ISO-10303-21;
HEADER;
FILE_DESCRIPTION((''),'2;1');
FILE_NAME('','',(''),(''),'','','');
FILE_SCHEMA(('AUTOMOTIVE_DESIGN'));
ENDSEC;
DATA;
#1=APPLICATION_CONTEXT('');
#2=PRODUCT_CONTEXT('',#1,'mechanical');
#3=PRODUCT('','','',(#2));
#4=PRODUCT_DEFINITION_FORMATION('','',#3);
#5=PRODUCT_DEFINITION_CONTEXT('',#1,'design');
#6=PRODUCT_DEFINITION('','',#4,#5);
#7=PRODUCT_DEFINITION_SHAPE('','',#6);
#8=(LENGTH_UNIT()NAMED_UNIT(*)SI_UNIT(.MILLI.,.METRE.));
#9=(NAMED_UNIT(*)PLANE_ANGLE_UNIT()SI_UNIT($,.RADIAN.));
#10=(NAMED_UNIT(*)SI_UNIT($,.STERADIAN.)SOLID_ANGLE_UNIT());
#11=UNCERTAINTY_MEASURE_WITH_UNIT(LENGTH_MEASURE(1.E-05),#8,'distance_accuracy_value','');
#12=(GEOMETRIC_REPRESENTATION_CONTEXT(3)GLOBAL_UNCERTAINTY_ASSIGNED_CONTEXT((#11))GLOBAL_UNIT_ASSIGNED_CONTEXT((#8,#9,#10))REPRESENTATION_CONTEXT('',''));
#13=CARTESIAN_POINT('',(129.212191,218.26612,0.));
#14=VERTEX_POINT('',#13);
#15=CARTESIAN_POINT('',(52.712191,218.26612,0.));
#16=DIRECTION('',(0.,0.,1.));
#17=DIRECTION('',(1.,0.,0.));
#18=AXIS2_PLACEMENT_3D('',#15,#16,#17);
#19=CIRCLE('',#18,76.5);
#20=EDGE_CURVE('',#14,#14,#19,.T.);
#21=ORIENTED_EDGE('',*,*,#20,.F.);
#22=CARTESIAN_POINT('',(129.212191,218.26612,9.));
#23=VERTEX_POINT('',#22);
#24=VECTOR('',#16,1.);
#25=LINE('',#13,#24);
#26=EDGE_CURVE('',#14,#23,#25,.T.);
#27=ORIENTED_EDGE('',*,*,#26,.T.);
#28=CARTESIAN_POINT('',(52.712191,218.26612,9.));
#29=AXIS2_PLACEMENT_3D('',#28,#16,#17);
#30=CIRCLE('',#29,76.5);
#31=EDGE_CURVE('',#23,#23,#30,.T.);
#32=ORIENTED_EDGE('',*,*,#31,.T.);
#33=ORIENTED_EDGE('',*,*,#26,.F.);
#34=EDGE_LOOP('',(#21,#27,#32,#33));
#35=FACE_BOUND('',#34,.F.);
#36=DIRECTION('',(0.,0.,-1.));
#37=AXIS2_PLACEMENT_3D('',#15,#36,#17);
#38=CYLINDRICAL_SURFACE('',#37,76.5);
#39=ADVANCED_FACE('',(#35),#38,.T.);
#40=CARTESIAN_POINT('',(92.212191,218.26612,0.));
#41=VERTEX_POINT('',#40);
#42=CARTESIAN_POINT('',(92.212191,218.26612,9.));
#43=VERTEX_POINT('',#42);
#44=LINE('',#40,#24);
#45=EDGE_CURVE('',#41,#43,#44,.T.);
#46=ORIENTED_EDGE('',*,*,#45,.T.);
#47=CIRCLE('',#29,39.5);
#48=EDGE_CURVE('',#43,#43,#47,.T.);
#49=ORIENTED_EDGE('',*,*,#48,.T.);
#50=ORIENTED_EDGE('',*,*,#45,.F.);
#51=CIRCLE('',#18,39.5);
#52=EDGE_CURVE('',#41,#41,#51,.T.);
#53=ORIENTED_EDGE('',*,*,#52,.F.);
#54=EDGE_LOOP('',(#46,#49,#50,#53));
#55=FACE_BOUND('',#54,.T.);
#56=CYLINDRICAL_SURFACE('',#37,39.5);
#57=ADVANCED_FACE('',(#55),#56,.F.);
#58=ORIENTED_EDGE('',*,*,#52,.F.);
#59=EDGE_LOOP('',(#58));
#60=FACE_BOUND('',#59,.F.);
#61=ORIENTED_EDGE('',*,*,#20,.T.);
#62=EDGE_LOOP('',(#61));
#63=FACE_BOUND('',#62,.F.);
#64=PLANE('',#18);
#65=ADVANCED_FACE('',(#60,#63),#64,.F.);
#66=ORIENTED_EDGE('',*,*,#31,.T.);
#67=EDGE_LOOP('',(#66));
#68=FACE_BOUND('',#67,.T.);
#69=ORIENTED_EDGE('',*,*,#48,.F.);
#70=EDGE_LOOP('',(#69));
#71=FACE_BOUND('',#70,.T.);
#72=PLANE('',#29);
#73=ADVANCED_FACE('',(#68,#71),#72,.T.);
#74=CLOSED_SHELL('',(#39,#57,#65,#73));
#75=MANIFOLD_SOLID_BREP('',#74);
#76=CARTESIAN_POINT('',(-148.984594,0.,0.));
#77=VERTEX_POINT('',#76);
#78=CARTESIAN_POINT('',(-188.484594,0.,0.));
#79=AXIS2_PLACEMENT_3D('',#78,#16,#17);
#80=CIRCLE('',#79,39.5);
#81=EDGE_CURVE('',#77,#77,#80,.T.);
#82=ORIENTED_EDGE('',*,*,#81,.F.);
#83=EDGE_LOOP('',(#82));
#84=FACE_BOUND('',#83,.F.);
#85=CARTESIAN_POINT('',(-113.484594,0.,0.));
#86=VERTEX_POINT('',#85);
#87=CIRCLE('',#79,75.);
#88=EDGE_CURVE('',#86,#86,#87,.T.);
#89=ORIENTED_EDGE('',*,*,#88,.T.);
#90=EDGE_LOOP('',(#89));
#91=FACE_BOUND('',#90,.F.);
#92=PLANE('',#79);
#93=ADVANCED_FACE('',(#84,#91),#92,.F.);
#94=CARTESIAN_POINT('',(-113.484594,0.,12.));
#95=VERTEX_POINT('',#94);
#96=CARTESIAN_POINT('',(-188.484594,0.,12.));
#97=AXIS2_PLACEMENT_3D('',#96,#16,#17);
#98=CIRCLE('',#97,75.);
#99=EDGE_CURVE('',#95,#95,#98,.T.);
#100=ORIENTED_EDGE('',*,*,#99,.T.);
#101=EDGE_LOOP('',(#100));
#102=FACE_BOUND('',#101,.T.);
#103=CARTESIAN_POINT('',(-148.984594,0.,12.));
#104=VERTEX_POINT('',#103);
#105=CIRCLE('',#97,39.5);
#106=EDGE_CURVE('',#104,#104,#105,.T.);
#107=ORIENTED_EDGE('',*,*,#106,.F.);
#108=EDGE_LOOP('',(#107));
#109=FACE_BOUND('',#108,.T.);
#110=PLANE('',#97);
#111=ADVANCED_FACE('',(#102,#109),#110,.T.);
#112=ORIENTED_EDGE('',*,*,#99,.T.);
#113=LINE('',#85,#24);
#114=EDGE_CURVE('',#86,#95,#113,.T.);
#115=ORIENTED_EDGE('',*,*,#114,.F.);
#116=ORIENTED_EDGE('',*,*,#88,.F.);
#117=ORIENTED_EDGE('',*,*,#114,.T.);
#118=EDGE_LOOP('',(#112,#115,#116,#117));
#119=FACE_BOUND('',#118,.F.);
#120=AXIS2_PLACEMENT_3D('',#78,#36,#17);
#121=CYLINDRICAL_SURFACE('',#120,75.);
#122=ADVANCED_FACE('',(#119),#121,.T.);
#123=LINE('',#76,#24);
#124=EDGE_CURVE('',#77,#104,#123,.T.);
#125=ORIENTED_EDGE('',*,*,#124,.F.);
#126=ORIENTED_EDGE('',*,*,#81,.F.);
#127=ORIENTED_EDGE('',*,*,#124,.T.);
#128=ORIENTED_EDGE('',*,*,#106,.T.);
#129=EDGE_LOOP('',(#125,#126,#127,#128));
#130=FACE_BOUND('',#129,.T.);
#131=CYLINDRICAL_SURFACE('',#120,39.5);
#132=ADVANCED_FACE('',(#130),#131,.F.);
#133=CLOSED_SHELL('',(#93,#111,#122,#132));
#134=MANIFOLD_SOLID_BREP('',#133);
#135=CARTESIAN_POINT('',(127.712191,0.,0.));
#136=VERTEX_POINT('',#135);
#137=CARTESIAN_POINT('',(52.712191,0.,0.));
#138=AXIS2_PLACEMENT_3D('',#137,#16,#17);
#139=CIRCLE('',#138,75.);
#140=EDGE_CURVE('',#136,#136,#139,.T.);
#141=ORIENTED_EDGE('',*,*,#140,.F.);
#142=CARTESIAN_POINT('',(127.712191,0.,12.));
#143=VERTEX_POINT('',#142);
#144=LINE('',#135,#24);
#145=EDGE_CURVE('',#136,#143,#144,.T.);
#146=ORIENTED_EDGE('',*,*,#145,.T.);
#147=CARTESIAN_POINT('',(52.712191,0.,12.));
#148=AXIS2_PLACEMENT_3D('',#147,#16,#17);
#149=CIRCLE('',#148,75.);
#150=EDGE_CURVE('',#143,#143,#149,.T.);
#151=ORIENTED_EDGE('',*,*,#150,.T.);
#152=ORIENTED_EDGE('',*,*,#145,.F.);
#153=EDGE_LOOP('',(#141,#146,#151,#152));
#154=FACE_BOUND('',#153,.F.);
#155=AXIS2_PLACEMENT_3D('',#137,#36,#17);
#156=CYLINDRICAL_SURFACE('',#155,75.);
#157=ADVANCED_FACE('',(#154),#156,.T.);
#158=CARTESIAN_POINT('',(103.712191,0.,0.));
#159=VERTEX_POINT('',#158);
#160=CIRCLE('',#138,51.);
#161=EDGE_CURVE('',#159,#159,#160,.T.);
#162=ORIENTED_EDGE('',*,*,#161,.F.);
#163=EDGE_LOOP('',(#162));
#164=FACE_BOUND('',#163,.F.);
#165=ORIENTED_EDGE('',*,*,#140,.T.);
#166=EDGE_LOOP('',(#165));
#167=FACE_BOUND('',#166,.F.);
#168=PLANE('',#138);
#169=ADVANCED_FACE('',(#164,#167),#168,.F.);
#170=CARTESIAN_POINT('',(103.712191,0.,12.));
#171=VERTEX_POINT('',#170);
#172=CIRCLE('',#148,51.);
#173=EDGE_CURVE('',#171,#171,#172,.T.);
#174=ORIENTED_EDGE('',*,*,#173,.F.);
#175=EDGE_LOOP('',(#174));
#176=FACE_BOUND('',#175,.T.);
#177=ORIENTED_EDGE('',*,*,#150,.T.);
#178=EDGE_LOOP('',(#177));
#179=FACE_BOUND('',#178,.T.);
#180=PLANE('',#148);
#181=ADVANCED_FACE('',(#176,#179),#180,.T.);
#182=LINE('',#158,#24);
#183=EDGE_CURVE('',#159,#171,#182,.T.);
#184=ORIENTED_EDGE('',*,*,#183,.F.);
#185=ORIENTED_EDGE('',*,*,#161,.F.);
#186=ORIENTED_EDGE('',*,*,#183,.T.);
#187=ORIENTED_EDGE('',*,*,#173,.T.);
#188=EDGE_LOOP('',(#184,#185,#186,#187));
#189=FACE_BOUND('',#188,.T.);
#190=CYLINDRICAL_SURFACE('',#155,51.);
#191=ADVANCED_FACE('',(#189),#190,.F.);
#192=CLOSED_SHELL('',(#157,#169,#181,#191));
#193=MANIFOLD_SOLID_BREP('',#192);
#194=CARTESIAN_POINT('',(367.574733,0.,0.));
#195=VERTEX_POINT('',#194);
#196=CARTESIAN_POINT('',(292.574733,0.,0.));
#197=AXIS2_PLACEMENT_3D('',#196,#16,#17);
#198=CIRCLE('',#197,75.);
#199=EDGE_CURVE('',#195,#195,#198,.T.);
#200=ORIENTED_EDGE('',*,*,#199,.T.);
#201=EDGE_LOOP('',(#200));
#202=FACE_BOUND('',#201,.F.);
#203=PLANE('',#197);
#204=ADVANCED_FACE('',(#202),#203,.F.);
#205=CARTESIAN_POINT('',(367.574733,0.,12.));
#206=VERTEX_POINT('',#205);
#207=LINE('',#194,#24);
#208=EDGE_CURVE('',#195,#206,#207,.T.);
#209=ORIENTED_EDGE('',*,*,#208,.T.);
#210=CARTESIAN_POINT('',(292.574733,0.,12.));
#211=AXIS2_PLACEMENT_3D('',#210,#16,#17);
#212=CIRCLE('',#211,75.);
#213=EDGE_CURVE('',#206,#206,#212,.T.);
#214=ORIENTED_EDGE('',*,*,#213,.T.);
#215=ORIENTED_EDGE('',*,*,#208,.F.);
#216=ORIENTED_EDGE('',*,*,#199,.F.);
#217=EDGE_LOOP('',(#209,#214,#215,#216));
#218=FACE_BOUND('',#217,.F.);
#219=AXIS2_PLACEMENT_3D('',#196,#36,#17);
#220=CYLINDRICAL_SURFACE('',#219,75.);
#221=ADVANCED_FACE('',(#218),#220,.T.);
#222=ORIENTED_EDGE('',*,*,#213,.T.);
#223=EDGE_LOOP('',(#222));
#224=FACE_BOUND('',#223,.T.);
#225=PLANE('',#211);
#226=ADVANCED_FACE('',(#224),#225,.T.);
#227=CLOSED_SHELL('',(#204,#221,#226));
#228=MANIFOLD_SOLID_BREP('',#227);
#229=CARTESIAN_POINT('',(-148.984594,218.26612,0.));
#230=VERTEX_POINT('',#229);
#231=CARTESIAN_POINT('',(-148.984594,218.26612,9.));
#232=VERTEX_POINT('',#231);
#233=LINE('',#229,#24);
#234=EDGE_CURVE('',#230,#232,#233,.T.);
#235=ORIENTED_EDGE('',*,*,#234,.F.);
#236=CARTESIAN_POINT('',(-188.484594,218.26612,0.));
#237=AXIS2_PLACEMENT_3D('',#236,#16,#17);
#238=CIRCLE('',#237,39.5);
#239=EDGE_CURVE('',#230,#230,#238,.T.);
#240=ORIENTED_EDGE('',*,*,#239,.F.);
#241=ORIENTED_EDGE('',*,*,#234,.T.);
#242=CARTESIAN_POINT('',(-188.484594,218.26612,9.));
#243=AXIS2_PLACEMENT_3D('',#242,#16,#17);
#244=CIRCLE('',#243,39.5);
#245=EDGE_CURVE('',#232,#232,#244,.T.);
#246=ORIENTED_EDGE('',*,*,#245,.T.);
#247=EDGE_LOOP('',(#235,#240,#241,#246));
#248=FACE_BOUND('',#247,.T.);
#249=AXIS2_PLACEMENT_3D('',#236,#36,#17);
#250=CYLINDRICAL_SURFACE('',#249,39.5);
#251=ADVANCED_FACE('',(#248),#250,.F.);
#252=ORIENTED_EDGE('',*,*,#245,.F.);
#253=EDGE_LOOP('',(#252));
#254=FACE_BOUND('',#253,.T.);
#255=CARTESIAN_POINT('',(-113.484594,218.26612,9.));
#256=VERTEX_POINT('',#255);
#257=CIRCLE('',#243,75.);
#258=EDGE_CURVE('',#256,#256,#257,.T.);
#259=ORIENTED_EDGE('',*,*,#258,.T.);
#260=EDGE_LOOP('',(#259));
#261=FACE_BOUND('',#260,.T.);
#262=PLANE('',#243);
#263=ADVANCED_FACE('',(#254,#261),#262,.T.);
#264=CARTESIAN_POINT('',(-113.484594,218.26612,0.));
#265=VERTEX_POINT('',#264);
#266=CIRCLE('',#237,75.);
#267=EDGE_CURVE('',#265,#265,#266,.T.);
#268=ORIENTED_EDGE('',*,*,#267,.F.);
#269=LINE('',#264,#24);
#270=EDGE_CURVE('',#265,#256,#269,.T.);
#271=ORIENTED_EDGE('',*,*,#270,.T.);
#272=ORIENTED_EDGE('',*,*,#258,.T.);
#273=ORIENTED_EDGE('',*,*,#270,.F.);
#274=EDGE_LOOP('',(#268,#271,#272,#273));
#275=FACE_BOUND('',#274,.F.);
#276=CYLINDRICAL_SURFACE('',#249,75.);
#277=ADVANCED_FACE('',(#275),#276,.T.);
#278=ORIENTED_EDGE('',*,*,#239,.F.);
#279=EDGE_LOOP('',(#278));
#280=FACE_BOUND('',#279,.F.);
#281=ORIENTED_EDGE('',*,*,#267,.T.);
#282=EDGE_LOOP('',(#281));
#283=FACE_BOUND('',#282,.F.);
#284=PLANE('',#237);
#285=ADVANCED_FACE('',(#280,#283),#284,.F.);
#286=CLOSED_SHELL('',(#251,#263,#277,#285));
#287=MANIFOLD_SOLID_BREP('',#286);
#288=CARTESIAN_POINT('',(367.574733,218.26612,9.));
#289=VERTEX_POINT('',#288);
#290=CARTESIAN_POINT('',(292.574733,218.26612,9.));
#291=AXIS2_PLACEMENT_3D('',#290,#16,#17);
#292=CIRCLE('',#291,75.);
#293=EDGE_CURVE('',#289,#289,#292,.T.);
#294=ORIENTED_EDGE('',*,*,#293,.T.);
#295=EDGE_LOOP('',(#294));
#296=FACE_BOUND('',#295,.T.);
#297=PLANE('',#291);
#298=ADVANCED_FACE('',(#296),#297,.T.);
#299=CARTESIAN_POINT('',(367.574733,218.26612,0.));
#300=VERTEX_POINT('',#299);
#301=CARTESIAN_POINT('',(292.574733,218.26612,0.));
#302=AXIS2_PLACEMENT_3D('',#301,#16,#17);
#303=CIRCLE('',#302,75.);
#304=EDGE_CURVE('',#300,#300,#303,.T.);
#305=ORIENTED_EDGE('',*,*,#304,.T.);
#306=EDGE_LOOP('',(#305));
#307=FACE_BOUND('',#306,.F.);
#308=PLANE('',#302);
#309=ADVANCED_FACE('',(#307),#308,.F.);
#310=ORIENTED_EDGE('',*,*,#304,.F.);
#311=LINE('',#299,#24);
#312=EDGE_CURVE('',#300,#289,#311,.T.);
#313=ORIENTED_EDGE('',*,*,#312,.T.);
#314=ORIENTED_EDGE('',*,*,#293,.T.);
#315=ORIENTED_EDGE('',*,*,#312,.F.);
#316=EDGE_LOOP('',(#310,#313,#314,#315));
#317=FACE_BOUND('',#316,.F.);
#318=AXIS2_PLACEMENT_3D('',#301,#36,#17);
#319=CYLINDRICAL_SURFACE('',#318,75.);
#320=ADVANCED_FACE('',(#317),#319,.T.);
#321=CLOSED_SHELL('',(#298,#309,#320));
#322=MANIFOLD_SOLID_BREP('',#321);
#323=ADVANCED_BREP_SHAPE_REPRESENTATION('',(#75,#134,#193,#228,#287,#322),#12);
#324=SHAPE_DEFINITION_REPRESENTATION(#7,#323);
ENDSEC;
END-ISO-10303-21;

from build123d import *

# Parameters (mm, degrees)
F0_R      = 75
F0_R_2    = 39.5
F1_DEPTH  = 12
F2_R      = 75
F2_R_2    = 51
F3_DEPTH  = 12
F4_R      = 75
F4_R_2    = 39.5
F5_DEPTH  = 9
F6_R      = 75
F7_DEPTH  = 12
F8_R      = 76.5
F8_R_2    = 39.5
F9_DEPTH  = 9
F10_R     = 75
F11_DEPTH = 9


with BuildPart() as f1:
    # F0 (on Top) → F1 (new body)
    with BuildSketch(Plane.XY):
        with Locations((-188.484594, 0)):
            Circle(F0_R)
        with Locations((-188.484594, 0)):
            Circle(F0_R_2, mode=Mode.SUBTRACT)
    extrude(amount=F1_DEPTH)


with BuildPart() as f3:
    # F2 (on Top) → F3 (new body)
    with BuildSketch(Plane.XY):
        with Locations((52.712191, 0)):
            Circle(F2_R)
        with Locations((52.712191, 0)):
            Circle(F2_R_2, mode=Mode.SUBTRACT)
    extrude(amount=F3_DEPTH)


with BuildPart() as f5:
    # F4 (on Top) → F5 (new body)
    with BuildSketch(Plane.XY):
        with Locations((-188.484594, 218.26612)):
            Circle(F4_R)
        with Locations((-188.484594, 218.26612)):
            Circle(F4_R_2, mode=Mode.SUBTRACT)
    extrude(amount=F5_DEPTH)


with BuildPart() as f7:
    # F6 (on Top) → F7 (new body)
    with BuildSketch(Plane.XY):
        with Locations((292.574733, 0)):
            Circle(F6_R)
    extrude(amount=F7_DEPTH)


with BuildPart() as f9:
    # F8 (on Top) → F9 (new body)
    with BuildSketch(Plane.XY):
        with Locations((52.712191, 218.26612)):
            Circle(F8_R)
        with Locations((52.712191, 218.26612)):
            Circle(F8_R_2, mode=Mode.SUBTRACT)
    extrude(amount=F9_DEPTH)


with BuildPart() as f11:
    # F10 (on Top) → F11 (new body)
    with BuildSketch(Plane.XY):
        with Locations((292.574733, 218.26612)):
            Circle(F10_R)
    extrude(amount=F11_DEPTH)


solid = Compound([f1.part, f3.part, f5.part, f7.part, f9.part, f11.part])
